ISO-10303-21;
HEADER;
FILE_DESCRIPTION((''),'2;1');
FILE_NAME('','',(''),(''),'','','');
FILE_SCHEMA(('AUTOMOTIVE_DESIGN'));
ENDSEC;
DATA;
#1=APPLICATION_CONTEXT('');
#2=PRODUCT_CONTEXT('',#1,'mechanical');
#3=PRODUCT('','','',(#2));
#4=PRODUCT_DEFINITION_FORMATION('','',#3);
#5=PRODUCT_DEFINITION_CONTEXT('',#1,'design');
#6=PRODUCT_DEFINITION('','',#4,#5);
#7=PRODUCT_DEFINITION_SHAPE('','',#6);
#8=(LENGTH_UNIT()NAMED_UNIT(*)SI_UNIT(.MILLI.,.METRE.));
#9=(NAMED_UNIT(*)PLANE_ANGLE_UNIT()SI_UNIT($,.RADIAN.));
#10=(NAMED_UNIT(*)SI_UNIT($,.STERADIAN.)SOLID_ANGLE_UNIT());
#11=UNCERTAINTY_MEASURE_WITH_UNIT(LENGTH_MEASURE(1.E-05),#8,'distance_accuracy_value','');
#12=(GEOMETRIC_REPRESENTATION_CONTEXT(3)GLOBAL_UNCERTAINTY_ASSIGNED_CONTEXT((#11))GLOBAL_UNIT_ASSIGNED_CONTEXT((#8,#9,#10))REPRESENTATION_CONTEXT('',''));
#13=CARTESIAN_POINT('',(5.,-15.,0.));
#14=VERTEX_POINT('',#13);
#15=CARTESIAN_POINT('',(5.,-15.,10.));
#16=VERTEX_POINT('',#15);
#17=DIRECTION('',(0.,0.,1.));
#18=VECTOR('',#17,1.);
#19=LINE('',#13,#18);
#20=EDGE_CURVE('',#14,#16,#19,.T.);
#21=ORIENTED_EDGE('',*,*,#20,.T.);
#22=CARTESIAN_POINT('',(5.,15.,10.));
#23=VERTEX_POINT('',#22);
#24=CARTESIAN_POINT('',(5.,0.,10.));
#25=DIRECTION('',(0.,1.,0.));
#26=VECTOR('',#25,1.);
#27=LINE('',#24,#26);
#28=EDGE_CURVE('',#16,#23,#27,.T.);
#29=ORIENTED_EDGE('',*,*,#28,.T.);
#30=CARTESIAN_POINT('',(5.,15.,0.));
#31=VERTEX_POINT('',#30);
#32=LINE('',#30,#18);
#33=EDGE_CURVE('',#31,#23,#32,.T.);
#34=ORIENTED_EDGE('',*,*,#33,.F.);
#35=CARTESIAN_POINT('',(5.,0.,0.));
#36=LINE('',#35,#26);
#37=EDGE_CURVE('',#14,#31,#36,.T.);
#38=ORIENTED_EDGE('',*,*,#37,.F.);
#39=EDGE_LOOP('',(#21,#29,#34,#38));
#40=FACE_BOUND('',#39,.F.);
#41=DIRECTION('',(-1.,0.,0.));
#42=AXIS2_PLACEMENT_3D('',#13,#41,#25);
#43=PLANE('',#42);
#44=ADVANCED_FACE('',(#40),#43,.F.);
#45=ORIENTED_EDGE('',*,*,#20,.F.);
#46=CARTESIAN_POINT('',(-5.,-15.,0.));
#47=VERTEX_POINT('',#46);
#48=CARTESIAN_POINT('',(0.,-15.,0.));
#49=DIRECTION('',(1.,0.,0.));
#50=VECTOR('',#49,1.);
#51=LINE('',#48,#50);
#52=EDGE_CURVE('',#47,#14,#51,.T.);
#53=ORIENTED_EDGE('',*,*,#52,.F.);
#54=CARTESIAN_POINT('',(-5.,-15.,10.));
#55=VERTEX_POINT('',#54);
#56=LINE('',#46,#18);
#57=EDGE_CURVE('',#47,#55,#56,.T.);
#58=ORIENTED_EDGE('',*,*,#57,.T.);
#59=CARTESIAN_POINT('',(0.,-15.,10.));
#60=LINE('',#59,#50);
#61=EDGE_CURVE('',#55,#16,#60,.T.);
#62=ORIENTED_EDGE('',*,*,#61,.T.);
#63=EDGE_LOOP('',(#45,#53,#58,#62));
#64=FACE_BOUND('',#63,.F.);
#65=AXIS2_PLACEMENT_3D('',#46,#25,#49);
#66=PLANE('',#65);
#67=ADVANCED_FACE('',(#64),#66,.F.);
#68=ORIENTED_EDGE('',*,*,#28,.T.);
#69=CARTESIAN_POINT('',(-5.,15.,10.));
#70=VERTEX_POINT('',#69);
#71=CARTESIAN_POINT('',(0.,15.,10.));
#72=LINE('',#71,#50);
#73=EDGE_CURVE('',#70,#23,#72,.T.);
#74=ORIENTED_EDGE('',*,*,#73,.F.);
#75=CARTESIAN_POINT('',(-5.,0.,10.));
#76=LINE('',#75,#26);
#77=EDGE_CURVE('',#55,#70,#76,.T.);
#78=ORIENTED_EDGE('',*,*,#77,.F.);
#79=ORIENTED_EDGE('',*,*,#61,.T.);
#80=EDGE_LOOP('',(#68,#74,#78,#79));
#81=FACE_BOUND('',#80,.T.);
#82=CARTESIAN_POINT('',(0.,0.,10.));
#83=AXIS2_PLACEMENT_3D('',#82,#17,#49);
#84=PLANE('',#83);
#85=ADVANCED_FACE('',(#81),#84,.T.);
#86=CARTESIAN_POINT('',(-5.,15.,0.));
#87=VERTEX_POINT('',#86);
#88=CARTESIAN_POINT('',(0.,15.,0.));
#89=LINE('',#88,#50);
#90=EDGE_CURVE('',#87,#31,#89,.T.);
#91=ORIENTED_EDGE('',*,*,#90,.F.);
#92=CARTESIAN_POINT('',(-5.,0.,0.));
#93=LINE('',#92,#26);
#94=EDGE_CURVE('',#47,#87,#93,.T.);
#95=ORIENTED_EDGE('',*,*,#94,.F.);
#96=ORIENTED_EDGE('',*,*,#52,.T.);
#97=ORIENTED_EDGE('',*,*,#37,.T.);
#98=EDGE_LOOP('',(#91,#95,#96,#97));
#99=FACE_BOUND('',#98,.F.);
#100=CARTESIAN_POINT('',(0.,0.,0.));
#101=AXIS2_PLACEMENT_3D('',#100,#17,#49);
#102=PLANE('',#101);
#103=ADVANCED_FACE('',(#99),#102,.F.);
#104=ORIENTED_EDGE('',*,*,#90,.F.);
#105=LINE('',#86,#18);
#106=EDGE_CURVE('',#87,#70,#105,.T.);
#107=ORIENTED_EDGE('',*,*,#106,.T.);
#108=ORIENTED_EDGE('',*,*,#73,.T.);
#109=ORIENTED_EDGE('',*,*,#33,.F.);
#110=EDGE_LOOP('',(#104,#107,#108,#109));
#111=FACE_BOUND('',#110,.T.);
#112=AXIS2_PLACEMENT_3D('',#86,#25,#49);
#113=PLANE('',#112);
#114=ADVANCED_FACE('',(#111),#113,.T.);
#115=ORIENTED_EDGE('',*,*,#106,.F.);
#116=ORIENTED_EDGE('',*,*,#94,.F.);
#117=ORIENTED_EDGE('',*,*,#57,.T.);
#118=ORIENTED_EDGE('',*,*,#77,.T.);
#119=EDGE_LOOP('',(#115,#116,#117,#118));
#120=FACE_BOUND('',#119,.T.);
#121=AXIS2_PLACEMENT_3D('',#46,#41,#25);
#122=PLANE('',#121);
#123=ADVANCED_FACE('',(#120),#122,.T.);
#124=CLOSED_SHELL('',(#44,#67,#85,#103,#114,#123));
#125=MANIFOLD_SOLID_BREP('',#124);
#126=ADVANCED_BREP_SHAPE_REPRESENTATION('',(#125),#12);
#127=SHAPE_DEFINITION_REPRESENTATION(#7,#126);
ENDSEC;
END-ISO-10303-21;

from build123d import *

# Parameters (mm, degrees)
SKETCH1_W  = 10
SKETCH1_H  = 30
BODY_DEPTH = 10


with BuildPart() as part:
    # Sketch1 → BODY (new body)
    with BuildSketch(Plane.XY):
        Rectangle(SKETCH1_W, SKETCH1_H)
    extrude(amount=BODY_DEPTH)


solid = part.part
